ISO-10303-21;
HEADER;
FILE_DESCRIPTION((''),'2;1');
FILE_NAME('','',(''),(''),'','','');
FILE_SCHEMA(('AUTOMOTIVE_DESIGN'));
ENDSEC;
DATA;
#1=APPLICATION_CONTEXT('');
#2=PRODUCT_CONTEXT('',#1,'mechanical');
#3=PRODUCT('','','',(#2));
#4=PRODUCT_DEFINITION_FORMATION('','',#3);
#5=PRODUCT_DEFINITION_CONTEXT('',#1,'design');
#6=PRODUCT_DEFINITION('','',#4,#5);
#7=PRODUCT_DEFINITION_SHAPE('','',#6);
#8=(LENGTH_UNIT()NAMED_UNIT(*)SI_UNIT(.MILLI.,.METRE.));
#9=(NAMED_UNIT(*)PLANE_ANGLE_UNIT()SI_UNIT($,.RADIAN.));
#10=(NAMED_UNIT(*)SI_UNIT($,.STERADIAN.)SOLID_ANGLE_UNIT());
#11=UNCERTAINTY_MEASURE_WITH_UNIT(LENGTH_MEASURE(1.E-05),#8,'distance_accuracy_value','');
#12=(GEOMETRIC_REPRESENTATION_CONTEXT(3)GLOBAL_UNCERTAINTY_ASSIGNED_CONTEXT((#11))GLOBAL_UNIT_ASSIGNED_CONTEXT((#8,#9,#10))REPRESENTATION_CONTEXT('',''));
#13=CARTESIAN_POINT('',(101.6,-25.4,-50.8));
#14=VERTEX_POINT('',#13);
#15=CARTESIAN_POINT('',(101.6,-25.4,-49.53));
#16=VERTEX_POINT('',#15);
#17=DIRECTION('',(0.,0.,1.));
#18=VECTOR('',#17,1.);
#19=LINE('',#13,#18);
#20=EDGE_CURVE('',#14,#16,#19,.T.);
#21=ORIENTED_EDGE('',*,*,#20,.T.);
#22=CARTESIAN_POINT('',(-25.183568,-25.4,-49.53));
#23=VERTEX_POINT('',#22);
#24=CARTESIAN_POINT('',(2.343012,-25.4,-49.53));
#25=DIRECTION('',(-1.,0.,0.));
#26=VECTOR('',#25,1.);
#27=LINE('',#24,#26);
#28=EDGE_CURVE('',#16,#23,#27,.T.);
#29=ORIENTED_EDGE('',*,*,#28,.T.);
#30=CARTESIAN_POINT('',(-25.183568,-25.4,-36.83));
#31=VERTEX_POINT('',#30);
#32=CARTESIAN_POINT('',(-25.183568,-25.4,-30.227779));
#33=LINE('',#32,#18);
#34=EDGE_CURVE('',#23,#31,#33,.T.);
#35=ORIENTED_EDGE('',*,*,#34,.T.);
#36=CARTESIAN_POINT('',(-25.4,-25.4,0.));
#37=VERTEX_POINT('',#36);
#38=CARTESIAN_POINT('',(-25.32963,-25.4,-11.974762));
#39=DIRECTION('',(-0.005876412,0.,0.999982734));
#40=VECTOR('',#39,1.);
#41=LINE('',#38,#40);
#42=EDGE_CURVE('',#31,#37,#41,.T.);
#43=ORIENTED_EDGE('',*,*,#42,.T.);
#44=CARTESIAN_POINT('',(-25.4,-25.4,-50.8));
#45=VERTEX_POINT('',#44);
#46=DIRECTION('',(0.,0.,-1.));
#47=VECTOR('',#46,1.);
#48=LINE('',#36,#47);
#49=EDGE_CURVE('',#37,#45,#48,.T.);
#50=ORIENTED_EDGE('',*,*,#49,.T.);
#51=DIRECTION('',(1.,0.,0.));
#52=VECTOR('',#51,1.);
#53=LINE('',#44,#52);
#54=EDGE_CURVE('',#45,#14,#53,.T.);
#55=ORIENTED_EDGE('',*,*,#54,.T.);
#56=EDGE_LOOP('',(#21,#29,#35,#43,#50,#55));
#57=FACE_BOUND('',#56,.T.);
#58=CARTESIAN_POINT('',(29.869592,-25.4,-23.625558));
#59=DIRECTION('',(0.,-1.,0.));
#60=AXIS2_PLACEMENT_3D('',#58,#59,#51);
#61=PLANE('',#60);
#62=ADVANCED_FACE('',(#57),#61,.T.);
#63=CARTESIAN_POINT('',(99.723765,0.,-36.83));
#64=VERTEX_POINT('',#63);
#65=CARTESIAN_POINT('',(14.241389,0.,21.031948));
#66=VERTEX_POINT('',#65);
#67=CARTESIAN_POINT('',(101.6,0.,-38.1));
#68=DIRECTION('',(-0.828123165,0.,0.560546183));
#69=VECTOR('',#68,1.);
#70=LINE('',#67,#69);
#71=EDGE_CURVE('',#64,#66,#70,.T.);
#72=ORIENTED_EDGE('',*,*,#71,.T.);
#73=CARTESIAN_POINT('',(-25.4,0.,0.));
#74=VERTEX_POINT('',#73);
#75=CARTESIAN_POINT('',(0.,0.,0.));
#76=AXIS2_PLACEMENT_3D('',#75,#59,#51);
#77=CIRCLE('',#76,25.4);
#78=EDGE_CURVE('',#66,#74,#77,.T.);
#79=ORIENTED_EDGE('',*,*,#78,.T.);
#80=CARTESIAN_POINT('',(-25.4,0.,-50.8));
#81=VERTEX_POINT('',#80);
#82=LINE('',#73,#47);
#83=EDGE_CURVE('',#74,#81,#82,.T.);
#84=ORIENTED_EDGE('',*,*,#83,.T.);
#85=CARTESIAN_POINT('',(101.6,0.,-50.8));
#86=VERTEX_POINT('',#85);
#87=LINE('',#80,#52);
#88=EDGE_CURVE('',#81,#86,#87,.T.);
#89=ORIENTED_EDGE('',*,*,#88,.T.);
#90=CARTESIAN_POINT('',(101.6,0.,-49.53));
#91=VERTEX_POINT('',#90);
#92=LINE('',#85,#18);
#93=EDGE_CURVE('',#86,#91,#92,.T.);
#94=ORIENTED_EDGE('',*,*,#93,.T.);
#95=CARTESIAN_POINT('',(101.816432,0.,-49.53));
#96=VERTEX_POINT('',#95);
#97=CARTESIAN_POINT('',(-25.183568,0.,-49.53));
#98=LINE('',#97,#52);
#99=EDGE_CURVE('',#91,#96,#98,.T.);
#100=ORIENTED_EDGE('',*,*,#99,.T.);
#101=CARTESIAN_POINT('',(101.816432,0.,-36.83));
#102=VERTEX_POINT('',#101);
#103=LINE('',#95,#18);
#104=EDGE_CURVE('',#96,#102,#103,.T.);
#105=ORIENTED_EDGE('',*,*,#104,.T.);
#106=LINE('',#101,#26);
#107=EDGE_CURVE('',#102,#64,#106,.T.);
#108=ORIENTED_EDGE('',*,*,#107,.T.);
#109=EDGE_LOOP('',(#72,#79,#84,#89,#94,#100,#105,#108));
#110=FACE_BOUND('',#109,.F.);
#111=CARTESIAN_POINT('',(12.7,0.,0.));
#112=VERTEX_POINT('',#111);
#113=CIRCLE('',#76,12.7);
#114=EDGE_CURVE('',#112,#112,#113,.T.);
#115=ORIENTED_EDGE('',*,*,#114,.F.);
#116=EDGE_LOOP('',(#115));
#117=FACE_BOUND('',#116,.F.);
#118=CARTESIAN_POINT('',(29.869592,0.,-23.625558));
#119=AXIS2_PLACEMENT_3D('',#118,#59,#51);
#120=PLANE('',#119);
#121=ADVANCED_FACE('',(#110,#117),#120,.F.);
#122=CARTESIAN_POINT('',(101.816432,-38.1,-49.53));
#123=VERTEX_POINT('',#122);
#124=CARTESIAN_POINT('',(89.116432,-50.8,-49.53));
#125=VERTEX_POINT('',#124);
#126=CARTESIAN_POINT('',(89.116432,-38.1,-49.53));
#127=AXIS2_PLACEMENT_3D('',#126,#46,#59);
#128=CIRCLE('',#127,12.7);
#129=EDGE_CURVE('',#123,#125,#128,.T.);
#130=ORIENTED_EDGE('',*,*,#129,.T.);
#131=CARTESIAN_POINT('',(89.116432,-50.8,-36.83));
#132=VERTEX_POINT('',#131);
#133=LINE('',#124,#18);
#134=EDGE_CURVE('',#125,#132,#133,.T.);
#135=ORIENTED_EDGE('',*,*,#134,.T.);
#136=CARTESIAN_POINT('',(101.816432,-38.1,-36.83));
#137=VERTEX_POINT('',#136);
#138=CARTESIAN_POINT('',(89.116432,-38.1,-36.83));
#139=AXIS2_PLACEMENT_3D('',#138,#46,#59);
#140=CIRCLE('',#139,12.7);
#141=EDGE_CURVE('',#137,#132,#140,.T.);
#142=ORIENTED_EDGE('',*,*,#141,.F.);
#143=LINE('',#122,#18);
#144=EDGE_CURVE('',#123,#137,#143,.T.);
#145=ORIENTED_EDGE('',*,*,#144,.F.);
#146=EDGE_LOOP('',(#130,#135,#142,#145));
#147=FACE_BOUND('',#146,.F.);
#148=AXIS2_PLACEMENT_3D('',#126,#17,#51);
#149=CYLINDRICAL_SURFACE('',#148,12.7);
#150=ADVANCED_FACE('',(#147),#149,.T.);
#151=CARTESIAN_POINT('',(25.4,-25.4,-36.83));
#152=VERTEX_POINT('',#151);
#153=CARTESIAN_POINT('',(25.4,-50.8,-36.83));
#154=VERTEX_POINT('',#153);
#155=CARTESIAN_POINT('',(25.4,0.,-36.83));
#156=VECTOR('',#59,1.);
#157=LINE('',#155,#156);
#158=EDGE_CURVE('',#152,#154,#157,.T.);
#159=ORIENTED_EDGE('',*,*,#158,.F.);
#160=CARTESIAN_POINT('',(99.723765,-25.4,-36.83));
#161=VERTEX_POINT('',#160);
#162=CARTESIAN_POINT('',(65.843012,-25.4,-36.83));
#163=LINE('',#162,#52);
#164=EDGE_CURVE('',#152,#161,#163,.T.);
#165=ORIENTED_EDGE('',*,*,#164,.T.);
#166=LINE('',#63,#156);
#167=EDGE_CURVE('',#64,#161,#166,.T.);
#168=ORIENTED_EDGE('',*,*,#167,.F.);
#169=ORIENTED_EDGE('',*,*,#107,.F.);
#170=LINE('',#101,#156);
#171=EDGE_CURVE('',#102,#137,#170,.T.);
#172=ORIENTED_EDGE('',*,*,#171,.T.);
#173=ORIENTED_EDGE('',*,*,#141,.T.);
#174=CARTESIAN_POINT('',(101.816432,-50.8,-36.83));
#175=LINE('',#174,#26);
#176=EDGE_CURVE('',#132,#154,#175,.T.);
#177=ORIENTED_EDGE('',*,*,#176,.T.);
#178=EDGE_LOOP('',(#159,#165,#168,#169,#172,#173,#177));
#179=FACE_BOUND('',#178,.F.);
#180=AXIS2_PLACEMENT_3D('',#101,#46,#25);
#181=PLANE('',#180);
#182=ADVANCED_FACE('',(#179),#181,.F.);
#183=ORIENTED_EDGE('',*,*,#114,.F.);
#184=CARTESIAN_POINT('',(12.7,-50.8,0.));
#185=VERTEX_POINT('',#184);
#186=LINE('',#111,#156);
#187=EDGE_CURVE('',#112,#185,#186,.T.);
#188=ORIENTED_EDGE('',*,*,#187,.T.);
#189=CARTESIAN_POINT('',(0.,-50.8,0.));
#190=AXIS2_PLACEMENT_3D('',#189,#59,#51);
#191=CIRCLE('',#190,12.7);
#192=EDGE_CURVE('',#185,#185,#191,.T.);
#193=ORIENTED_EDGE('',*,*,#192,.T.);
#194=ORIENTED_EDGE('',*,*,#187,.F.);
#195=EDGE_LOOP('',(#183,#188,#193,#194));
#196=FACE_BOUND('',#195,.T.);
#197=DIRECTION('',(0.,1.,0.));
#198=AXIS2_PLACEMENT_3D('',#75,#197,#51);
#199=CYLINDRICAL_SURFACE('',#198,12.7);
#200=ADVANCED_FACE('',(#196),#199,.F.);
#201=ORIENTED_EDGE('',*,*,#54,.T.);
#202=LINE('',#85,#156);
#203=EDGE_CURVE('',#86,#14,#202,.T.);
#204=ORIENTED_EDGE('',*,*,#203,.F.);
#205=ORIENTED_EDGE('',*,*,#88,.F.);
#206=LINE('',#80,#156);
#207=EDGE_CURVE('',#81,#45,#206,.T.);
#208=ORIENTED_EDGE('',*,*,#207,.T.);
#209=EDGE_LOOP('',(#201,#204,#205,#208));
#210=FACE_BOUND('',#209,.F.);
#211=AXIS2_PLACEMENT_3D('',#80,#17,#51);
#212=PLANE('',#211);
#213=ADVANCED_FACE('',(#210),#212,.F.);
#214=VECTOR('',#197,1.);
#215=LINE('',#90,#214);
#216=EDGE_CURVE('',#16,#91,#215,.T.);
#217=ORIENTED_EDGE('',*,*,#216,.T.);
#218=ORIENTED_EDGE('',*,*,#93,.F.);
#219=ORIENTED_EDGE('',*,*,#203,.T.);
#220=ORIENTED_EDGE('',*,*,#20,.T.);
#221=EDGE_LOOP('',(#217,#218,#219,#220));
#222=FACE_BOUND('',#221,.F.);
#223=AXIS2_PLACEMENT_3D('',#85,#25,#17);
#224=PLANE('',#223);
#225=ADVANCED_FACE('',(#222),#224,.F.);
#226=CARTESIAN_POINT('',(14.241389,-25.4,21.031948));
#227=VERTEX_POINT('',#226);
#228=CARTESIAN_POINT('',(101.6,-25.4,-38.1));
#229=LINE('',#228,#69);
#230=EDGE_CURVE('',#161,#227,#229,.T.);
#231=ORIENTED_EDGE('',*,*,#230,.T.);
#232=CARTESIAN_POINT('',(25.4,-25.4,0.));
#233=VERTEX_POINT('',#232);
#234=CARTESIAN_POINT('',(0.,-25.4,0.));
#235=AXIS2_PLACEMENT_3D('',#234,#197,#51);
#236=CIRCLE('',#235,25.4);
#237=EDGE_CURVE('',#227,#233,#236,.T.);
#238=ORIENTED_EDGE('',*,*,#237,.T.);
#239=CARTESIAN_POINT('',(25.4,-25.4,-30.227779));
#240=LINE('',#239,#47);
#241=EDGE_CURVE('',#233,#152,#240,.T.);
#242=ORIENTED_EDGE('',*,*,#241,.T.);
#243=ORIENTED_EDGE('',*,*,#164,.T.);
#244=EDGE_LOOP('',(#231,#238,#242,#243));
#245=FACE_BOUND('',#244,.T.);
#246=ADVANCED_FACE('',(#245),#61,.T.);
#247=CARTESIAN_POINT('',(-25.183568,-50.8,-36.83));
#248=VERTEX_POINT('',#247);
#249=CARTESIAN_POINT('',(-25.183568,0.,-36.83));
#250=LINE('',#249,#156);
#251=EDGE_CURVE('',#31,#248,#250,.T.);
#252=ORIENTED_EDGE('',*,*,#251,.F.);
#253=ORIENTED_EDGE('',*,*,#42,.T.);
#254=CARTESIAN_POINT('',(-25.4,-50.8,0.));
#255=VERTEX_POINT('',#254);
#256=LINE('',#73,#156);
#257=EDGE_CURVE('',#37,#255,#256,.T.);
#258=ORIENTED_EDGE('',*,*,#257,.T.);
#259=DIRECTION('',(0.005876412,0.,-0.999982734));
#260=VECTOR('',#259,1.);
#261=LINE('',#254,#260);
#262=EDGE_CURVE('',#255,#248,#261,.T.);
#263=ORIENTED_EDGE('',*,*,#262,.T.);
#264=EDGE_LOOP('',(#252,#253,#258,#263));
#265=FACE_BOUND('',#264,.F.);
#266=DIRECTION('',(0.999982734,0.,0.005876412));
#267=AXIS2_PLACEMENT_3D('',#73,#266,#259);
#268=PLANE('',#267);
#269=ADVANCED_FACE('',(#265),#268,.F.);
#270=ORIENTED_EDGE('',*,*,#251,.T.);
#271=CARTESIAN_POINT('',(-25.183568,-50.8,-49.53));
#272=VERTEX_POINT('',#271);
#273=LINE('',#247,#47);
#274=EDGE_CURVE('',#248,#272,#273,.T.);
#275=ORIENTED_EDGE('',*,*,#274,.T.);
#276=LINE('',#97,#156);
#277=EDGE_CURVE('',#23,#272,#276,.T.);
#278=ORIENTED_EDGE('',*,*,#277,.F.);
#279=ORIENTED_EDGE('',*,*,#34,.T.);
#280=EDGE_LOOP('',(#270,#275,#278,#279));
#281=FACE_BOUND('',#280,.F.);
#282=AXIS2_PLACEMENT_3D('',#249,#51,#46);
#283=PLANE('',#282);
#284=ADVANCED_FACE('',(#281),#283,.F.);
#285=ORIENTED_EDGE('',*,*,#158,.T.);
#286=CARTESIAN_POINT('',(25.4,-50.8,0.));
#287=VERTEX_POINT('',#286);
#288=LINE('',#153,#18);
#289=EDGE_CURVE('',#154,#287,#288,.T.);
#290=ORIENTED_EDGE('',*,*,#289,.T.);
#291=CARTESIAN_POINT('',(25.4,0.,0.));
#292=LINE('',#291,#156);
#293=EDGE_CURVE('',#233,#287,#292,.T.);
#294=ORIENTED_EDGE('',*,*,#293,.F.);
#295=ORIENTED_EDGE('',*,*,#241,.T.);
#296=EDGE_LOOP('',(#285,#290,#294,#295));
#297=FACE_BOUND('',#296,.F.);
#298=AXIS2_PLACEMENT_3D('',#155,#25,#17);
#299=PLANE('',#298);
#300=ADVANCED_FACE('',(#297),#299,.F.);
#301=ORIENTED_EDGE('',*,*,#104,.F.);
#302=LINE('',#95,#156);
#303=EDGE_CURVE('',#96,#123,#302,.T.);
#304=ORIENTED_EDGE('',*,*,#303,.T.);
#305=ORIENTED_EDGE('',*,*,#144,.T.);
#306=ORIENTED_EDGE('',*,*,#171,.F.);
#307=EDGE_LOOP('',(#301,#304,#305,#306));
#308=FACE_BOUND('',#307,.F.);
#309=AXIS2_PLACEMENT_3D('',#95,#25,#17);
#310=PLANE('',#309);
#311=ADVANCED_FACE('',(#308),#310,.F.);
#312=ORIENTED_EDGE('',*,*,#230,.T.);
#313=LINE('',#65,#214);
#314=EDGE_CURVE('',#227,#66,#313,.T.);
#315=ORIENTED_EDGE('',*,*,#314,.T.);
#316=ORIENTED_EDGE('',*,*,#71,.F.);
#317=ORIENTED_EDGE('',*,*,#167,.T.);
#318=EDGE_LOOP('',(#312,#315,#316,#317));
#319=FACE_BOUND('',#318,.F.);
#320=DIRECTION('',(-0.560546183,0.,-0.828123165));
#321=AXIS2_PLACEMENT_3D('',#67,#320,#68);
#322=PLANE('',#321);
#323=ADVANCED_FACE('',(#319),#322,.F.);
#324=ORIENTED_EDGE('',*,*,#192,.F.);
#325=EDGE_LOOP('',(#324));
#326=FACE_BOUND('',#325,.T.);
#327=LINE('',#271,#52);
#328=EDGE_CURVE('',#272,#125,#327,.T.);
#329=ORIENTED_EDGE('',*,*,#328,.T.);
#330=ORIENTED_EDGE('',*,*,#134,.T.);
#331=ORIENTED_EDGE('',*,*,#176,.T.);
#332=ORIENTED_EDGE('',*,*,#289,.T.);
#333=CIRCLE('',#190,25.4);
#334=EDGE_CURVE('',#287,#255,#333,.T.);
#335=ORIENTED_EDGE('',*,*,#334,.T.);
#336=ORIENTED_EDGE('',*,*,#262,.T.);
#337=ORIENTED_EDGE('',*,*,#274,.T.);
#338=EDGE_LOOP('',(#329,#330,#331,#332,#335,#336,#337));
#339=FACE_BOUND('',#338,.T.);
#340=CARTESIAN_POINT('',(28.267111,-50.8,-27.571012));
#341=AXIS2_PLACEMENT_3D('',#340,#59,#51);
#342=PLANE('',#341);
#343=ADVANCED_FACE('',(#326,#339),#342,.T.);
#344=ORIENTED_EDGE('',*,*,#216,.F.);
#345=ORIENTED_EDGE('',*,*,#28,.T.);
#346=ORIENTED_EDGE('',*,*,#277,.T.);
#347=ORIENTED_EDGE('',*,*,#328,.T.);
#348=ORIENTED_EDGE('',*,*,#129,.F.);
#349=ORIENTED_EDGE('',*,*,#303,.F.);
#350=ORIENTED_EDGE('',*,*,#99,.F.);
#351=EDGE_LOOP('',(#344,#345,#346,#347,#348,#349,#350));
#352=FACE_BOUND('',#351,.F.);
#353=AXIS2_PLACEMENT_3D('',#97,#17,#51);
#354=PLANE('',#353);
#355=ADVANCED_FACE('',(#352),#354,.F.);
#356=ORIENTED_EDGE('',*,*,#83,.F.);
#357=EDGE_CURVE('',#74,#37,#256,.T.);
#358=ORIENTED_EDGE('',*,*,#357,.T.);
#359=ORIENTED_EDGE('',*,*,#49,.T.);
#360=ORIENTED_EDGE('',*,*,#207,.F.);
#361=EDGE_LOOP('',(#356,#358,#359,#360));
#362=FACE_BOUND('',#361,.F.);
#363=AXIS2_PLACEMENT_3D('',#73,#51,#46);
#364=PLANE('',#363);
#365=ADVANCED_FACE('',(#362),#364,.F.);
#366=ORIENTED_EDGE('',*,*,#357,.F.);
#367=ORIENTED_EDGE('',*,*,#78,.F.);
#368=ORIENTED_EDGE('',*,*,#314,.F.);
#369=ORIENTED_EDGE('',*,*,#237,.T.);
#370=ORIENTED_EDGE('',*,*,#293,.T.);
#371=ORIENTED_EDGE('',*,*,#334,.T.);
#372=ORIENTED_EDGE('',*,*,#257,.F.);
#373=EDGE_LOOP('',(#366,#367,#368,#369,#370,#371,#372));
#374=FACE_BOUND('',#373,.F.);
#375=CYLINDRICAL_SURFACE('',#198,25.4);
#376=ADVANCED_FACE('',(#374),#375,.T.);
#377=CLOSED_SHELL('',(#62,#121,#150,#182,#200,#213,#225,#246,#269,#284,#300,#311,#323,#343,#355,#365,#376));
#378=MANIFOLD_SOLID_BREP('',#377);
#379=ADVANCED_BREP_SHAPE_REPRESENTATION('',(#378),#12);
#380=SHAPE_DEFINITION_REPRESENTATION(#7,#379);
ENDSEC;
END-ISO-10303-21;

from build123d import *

# Parameters (mm, degrees)
F0_R     = 12.7
F1_DEPTH = 25.4
F2_R     = 12.7
F3_DEPTH = 50.8
F4_R     = 12.7


with BuildPart() as f1:
    # F0 (on Front) → F1 (new body)
    with BuildSketch(Plane.XZ):
        with BuildLine():
            Line((101.6, -38.1), (14.237873, 21.034328))
            ThreePointArc((14.237873, 21.034328), (-11.906259, 22.436599), (-25.4, 0))
            Line((-25.4, 0), (-25.4, -50.8))
            Line((-25.4, -50.8), (101.6, -50.8))
            Line((101.6, -50.8), (101.6, -38.1))
        make_face()
        Circle(F0_R, mode=Mode.SUBTRACT)
    extrude(amount=F1_DEPTH)

    # F2 (on Front) → F3 (join)
    with BuildSketch(Plane.XZ):
        with BuildLine():
            Line((25.4, -36.83), (25.4, 0))
            ThreePointArc((25.4, 0), (0, 25.4), (-25.4, 0))
            Line((-25.4, 0), (-25.183568, -36.83))
            Line((-25.183568, -36.83), (-25.183568, -49.53))
            Line((-25.183568, -49.53), (101.816432, -49.53))
            Line((101.816432, -49.53), (101.816432, -36.83))
            Line((101.816432, -36.83), (25.4, -36.83))
        make_face()
        Circle(F2_R, mode=Mode.SUBTRACT)
    extrude(amount=F3_DEPTH)

    # F4
    f4_edges = [f1.edges().sort_by_distance(p)[0] for p in [
        (101.816432, -50.8, -43.18),
    ]]
    fillet(f4_edges, radius=F4_R)


solid = f1.part
